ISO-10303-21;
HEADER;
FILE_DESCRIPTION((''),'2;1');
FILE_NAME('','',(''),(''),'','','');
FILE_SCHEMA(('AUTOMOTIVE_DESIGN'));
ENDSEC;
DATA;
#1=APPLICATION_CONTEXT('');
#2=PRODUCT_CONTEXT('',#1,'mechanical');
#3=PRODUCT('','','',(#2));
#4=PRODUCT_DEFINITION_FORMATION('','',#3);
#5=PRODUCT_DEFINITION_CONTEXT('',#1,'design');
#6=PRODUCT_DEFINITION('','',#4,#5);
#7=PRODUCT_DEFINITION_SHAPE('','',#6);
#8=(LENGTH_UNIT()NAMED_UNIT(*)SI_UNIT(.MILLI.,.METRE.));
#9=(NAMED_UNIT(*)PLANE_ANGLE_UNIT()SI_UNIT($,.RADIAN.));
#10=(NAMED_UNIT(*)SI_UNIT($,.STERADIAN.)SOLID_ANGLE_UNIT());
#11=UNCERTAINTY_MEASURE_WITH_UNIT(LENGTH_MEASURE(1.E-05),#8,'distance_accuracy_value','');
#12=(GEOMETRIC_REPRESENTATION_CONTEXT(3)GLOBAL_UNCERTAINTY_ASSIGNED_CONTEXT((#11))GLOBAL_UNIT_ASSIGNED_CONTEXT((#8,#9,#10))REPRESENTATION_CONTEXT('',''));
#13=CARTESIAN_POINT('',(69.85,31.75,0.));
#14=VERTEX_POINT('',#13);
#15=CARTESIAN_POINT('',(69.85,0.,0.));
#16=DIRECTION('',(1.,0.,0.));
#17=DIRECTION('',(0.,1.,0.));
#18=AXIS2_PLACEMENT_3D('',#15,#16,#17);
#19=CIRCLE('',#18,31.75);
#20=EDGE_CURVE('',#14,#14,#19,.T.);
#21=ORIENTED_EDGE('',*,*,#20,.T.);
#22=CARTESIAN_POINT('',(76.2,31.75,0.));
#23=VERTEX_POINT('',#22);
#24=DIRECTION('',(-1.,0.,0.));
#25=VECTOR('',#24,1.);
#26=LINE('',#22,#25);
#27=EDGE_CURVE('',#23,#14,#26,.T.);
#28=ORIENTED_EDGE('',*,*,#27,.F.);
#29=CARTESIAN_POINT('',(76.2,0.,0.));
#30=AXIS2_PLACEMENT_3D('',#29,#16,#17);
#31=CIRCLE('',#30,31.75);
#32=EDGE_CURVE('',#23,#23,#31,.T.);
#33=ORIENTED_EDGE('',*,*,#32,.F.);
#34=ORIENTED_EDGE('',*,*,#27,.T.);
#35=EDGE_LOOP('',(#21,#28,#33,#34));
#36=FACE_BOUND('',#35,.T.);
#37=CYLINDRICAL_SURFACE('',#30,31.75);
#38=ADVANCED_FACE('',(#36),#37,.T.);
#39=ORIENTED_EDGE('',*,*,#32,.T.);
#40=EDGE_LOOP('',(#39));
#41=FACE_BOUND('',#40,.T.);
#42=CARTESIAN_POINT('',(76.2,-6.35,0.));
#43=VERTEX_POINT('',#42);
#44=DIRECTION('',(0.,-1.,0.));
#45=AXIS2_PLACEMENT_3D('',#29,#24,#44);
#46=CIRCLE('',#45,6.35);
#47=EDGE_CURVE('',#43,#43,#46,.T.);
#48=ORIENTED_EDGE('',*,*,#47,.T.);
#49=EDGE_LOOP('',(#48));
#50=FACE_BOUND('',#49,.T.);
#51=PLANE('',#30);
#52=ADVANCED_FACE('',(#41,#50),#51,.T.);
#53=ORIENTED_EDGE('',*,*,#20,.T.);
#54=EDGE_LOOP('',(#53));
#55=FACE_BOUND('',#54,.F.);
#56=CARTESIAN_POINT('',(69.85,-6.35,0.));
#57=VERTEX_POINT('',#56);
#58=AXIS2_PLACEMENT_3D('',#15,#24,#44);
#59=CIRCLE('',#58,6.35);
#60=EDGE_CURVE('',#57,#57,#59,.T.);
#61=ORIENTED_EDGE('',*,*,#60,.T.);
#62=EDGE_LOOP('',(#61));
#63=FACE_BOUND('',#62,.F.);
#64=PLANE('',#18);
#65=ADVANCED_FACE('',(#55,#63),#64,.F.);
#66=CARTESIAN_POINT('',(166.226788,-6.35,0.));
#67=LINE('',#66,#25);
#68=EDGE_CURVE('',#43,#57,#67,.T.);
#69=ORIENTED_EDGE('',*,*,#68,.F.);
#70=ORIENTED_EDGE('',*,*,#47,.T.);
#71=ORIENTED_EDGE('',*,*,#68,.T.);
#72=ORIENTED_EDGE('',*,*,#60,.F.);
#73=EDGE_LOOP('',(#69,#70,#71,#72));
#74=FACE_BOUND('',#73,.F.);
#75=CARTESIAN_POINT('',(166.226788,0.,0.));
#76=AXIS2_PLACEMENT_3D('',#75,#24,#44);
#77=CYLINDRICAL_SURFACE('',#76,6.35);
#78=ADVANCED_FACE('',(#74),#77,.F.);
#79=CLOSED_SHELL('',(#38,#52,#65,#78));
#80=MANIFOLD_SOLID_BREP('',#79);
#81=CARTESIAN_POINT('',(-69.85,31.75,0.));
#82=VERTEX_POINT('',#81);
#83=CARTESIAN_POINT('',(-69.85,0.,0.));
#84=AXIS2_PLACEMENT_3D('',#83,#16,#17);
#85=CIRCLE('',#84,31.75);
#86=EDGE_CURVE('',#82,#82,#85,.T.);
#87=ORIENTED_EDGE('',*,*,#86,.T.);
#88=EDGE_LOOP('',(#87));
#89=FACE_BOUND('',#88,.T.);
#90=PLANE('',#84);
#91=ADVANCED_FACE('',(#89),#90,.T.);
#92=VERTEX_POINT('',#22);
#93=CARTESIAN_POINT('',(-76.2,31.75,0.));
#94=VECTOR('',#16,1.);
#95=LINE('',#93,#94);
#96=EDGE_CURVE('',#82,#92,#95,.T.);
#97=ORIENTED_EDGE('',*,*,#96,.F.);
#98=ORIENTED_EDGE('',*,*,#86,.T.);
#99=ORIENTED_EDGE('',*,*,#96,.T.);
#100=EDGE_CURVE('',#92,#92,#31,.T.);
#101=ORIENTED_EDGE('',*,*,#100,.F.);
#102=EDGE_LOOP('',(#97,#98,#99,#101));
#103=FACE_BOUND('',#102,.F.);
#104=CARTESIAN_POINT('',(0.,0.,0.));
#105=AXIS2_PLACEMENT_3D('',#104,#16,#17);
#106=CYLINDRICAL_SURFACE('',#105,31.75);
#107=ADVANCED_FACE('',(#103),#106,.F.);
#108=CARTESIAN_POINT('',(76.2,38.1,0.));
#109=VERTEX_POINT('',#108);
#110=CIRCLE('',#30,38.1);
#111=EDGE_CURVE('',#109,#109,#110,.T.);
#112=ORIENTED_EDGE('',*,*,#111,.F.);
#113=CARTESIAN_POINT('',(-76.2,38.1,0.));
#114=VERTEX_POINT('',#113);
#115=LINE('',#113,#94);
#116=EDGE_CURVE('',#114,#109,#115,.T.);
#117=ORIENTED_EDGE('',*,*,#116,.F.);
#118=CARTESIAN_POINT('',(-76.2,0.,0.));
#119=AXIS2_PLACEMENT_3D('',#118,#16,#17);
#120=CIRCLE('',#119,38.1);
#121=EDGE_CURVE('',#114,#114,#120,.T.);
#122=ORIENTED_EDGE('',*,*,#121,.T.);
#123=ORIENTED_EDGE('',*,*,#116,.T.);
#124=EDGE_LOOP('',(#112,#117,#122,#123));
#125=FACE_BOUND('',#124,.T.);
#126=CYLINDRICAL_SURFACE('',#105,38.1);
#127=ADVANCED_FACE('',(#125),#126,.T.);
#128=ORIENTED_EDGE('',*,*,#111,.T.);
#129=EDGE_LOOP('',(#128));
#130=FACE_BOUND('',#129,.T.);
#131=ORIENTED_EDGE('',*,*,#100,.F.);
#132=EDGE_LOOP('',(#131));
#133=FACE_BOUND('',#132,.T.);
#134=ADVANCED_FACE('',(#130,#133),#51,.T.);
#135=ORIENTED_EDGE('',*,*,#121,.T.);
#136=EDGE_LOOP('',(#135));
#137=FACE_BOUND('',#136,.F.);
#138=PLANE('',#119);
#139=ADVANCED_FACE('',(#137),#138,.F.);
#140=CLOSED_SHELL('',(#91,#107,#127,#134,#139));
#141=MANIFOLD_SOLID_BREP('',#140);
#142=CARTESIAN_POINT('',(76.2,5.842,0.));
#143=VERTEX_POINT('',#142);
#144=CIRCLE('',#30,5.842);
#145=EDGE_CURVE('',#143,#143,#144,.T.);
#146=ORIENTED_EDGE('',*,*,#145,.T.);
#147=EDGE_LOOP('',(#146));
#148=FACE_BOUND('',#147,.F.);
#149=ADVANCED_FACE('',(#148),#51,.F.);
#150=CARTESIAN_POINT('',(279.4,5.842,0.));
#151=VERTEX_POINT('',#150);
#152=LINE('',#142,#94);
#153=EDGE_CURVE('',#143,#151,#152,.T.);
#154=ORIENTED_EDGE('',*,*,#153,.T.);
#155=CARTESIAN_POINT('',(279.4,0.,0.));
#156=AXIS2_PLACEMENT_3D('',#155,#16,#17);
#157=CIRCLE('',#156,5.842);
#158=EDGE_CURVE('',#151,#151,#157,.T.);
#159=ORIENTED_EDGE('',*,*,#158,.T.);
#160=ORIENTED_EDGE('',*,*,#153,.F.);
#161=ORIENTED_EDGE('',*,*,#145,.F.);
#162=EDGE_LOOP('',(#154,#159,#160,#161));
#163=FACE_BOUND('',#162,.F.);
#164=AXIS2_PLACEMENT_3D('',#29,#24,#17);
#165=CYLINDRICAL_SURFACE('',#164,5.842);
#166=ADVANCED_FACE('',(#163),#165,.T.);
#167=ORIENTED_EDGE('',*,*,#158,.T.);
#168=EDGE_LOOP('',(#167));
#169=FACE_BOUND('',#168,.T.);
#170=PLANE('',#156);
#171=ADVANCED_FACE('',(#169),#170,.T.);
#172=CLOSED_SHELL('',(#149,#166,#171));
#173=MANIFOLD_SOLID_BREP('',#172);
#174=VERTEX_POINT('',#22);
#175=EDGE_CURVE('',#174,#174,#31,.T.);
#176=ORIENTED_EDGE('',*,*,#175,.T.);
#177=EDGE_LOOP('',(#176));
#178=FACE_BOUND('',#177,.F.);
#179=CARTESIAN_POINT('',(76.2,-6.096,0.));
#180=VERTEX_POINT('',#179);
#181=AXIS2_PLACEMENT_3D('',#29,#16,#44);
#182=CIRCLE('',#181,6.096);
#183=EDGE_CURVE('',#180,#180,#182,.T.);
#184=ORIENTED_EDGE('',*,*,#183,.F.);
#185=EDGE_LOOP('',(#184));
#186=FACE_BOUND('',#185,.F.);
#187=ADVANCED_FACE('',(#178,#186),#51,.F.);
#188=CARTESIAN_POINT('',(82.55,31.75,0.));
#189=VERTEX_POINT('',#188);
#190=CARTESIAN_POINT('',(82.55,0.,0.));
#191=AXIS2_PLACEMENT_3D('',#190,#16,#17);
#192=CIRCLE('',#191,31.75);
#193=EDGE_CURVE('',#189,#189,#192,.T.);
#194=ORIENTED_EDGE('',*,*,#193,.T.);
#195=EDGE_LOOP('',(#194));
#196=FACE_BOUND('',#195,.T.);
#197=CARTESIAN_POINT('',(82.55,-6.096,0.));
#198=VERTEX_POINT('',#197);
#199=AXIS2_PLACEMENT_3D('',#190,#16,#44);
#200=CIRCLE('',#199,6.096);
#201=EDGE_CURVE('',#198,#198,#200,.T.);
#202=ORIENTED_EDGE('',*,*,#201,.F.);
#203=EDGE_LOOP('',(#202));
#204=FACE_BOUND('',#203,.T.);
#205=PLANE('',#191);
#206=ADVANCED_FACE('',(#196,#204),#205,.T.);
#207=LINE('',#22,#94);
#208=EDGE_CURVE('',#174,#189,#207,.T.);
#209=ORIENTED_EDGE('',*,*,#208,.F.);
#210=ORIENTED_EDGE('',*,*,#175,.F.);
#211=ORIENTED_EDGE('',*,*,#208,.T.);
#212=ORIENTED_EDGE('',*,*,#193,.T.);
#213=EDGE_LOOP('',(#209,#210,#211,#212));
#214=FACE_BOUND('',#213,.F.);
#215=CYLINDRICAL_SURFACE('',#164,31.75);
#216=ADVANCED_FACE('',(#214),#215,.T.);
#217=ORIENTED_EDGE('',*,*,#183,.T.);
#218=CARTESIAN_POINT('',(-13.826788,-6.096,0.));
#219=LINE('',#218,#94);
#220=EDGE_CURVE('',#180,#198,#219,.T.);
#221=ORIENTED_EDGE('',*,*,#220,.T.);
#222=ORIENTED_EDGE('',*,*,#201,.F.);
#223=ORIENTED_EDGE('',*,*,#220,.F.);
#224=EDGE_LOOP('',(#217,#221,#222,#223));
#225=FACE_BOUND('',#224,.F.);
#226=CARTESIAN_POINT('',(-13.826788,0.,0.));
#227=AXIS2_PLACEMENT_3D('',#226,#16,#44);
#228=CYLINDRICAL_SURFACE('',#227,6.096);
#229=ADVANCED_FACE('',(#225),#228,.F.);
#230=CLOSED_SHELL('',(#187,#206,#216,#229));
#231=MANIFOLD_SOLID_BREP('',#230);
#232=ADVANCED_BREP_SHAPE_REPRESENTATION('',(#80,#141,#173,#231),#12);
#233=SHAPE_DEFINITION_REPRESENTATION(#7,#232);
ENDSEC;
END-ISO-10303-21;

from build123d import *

# Parameters (mm, degrees)
F0_R     = 38.1
F1_DEPTH = 76.2
F2_T     = -6.35
F4_R     = 5.842
F5_DEPTH = 203.2
F6_R     = 31.75
F7_DEPTH = 6.35
F3_R     = 31.75
F8_DEPTH = 6.35
F9_D     = 12.7
F10_D    = 12.192


with BuildPart() as f1:
    # F0 (on Right) → F1 (new body, symmetric)
    with BuildSketch(Plane.YZ):
        Circle(F0_R)
    extrude(amount=F1_DEPTH, both=True)

    # F2
    f2_openings = [f1.faces().sort_by_distance(p)[0] for p in [
        (76.2, 0, 0),
    ]]
    offset(amount=F2_T, openings=f2_openings)


with BuildPart() as f5:
    # F4 (on face) → F5 (new body)
    with BuildSketch(Plane.YZ.offset(76.2)):
        Circle(F4_R)
    extrude(amount=F5_DEPTH)


with BuildPart() as f7:
    # F6 (on face) → F7 (new body)
    with BuildSketch(Plane.YZ.offset(76.2)):
        Circle(F6_R)
    extrude(amount=F7_DEPTH)

    # F10 (through all)
    with Locations(Plane(origin=(76.2, 0, 0), x_dir=(0, 1, 0), z_dir=(-1, 0, 0))):
        with Locations((0, 0)):
            Hole(F10_D / 2)


with BuildPart() as f8:
    # F3 (on face) → F8 (new body)
    with BuildSketch(Plane.YZ.offset(76.2)):
        Circle(F3_R)
    extrude(amount=-F8_DEPTH)

    # F9 (through all)
    with Locations(Plane.YZ.offset(76.2)):
        with Locations((0, 0)):
            Hole(F9_D / 2)


solid = Compound([f1.part, f5.part, f7.part, f8.part])
